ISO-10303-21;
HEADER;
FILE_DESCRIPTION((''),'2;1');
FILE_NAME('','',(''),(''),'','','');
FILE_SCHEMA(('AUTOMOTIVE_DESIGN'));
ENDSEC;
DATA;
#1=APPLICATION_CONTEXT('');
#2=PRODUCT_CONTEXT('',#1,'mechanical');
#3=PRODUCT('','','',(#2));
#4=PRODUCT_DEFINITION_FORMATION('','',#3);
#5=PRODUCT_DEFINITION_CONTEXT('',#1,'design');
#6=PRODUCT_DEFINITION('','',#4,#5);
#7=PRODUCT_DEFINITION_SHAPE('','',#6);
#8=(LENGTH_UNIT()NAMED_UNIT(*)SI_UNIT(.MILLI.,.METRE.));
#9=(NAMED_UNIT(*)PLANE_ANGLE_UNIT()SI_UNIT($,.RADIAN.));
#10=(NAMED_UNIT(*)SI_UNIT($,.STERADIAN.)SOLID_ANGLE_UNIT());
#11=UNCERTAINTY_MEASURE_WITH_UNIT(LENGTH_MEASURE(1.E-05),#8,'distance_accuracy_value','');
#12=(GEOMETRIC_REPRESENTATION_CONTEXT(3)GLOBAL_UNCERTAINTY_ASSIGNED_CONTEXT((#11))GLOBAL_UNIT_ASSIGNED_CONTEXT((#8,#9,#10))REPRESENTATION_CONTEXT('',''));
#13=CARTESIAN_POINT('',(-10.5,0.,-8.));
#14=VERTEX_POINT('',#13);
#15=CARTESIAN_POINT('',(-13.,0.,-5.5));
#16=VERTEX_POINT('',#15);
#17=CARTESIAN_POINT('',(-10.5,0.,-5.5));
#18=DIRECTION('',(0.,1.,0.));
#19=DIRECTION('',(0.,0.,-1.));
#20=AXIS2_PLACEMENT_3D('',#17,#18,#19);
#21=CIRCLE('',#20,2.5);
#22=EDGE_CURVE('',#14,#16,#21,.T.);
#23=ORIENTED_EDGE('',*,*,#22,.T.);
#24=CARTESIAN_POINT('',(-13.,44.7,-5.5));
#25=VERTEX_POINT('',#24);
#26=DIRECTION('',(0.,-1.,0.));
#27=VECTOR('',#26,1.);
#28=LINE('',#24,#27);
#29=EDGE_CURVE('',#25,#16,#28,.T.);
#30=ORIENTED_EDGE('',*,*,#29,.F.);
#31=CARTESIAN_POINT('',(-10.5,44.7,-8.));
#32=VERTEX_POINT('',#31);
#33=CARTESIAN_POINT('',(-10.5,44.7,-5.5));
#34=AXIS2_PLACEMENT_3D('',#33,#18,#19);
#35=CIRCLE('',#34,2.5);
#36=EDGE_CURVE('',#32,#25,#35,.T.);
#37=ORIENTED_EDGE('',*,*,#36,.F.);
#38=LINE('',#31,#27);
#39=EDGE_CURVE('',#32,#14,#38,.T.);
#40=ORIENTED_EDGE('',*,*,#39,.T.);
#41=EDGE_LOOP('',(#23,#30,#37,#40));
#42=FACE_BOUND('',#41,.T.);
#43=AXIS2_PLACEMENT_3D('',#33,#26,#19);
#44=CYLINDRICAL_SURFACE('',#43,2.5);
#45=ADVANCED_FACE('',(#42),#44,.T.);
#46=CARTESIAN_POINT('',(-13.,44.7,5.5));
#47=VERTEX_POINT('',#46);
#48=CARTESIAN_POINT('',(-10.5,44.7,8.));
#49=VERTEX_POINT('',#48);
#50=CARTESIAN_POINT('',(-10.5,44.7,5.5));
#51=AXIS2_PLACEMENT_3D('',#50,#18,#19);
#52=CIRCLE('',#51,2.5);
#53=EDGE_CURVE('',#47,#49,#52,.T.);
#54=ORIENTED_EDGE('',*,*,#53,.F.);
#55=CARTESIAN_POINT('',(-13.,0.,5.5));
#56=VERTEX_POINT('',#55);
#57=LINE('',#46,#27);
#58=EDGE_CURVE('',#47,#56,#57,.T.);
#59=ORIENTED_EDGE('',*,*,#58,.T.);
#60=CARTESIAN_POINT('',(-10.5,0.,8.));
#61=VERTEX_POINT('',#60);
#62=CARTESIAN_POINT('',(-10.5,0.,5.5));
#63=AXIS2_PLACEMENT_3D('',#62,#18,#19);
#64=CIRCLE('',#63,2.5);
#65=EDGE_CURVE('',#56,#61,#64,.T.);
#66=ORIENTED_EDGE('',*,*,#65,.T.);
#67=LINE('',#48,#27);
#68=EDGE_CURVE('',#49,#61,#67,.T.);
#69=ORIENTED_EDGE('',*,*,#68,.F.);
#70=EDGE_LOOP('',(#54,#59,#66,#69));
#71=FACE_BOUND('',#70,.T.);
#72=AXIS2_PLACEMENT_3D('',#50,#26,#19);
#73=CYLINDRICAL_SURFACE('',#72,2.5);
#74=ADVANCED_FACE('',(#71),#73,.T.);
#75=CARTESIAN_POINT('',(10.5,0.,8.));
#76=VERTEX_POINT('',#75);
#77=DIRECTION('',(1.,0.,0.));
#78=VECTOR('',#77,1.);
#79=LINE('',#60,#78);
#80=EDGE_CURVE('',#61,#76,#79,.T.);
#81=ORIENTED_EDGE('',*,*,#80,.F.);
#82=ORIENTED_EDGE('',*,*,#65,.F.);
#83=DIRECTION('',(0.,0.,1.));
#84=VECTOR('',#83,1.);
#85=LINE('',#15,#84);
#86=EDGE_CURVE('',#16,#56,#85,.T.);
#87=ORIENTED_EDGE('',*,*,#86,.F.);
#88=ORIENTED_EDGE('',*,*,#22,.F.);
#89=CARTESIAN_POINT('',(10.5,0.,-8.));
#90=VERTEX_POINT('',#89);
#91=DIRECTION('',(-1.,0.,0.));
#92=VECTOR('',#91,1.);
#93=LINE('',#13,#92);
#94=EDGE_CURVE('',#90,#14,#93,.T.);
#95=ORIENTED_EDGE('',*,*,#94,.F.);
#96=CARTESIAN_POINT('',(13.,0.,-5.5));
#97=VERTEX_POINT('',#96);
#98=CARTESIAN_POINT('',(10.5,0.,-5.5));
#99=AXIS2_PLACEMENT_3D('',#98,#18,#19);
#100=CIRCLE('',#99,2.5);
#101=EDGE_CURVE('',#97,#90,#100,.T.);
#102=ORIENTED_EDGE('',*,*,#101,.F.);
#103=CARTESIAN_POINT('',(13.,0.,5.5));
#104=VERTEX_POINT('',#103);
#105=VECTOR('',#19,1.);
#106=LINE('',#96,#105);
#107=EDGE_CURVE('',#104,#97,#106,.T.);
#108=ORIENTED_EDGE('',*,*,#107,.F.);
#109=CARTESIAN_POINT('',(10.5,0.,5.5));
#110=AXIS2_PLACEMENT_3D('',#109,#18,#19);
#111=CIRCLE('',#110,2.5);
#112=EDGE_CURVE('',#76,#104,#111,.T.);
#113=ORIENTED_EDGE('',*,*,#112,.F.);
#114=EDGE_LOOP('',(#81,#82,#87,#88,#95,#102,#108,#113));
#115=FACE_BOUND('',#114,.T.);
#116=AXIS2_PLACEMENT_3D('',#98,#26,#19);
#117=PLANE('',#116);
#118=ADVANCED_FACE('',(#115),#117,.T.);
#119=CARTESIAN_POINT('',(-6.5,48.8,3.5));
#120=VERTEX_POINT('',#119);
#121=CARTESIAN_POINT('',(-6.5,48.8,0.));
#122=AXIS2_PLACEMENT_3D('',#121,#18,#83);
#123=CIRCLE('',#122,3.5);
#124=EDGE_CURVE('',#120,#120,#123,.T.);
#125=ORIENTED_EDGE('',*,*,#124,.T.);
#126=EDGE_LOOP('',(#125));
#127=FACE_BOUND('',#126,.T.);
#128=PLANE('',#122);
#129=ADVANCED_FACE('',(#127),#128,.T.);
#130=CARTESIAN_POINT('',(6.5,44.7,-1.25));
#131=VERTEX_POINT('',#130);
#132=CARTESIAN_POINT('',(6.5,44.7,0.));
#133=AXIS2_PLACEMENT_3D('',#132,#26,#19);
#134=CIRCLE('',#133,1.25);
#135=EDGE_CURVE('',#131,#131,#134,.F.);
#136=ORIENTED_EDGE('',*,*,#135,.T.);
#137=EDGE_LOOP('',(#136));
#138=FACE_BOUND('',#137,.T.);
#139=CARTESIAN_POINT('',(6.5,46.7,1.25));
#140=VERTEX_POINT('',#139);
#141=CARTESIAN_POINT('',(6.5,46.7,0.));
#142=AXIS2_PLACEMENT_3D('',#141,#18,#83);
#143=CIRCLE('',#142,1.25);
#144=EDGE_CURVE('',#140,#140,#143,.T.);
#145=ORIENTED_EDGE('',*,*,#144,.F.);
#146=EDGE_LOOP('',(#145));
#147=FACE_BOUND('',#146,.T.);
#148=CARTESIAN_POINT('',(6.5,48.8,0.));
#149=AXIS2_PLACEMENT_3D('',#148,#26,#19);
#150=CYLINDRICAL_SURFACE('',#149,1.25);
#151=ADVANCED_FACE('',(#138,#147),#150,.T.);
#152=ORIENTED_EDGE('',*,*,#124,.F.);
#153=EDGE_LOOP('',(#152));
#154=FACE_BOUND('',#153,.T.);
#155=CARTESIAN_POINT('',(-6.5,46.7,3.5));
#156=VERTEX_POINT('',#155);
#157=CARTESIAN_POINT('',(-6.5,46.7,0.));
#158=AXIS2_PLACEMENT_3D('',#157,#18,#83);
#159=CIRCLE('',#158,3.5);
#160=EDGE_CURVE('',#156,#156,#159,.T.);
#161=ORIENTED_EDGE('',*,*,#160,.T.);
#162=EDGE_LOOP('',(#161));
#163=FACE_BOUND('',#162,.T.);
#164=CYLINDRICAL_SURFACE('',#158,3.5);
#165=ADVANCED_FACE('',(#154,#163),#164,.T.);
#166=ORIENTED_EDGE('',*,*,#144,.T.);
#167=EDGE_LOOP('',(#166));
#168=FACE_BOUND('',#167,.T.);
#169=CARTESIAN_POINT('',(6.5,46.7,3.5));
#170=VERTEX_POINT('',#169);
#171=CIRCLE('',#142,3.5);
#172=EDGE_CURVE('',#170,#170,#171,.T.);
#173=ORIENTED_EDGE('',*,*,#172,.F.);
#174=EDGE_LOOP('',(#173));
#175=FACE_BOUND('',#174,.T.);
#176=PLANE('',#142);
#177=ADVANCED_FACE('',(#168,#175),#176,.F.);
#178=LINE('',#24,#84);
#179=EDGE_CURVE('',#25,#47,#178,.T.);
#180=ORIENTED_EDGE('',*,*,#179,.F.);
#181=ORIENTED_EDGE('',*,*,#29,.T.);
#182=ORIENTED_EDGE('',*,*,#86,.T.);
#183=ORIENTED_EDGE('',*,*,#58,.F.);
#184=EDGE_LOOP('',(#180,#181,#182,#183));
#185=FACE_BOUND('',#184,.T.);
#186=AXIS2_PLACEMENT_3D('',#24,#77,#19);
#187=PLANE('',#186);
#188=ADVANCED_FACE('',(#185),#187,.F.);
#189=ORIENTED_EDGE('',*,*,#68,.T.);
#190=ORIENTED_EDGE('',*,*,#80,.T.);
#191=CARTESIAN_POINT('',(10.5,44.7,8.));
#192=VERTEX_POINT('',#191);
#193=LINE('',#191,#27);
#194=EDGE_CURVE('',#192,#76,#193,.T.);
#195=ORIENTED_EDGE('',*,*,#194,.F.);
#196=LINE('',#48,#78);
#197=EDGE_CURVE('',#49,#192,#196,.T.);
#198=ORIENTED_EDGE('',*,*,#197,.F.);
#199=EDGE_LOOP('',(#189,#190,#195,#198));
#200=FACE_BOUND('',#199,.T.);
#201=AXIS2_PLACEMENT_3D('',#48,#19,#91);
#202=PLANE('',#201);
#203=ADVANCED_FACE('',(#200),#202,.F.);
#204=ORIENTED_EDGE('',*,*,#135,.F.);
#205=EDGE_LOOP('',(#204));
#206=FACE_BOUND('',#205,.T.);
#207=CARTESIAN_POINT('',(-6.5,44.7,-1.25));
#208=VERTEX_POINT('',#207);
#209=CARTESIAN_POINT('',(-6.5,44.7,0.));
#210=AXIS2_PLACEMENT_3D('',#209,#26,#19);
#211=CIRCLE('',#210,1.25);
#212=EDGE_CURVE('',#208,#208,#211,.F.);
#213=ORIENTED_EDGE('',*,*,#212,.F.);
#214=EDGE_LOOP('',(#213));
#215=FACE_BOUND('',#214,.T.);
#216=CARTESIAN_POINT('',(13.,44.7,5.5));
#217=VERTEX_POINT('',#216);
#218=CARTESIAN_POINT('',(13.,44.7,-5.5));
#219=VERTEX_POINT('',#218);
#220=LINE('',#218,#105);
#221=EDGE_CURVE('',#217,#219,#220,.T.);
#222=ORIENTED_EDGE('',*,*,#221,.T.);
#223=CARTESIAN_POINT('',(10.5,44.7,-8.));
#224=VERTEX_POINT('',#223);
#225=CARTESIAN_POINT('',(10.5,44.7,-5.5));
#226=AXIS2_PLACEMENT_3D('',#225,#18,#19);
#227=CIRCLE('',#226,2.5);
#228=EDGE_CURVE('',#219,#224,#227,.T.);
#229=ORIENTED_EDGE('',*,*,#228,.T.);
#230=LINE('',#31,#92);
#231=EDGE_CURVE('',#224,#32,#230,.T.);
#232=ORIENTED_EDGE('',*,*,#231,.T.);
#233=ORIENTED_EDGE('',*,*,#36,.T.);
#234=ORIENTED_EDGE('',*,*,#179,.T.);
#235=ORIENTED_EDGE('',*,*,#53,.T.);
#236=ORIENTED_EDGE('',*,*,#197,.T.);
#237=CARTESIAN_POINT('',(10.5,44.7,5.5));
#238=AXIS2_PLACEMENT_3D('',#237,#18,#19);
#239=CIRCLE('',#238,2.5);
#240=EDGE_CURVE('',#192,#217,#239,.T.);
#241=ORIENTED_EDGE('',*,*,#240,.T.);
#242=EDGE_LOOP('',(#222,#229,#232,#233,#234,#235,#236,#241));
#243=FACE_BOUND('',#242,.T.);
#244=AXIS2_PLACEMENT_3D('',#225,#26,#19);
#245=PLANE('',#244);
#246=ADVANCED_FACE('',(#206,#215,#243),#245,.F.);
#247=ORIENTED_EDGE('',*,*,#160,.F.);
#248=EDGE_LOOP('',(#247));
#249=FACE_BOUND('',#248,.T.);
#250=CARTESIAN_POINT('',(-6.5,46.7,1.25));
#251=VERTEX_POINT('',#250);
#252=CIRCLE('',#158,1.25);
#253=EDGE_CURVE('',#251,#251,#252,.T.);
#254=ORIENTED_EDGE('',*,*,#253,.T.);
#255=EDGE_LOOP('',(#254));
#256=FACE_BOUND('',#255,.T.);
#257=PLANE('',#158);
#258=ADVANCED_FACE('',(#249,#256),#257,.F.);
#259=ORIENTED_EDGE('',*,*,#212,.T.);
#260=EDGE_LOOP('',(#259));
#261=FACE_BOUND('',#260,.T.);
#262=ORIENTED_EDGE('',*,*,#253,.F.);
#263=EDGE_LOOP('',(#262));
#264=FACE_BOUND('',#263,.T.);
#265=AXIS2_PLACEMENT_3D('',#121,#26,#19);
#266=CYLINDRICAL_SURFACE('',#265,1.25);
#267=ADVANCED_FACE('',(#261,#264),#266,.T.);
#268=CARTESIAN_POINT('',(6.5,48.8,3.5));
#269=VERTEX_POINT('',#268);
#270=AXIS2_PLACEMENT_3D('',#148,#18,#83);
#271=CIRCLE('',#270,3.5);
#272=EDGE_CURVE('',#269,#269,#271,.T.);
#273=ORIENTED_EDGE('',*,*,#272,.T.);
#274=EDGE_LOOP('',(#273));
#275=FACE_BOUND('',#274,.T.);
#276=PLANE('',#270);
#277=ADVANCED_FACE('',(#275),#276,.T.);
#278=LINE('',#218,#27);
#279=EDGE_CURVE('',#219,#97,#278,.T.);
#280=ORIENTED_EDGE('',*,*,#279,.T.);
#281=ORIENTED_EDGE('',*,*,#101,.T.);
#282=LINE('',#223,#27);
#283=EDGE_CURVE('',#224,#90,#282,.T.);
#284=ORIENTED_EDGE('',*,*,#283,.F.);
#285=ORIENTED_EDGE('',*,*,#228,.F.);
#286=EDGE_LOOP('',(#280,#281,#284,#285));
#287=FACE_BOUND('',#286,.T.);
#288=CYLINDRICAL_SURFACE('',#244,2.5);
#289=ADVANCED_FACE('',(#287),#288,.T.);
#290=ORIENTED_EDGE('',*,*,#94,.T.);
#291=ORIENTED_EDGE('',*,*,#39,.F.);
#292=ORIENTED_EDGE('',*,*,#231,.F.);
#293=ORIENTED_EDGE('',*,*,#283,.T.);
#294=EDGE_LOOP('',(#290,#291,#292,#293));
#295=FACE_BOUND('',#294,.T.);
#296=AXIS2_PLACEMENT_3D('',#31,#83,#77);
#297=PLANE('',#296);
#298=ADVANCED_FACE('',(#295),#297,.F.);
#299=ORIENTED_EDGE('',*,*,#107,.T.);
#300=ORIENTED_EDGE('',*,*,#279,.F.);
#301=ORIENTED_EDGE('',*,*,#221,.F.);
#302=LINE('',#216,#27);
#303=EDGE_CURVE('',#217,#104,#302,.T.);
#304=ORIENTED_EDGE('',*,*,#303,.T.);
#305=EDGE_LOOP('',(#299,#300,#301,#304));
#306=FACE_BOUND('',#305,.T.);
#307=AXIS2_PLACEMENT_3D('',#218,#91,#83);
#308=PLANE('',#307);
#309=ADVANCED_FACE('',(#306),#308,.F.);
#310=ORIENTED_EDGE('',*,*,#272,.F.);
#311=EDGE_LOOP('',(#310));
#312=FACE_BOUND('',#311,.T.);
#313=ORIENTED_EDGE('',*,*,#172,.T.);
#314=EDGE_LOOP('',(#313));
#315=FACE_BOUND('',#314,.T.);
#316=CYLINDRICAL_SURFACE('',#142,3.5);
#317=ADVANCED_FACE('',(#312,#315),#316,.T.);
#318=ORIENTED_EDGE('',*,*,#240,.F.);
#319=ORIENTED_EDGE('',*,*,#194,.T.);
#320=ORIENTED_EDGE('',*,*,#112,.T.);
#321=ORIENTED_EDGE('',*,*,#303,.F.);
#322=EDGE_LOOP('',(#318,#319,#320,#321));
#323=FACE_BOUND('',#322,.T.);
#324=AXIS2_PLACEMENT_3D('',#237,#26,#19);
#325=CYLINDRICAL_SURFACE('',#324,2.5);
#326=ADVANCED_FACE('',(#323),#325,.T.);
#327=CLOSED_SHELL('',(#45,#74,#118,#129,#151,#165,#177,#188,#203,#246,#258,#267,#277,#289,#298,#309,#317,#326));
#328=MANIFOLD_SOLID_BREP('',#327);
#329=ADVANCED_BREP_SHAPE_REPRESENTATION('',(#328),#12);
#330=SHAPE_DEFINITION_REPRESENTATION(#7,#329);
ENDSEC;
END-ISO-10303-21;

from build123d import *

# Parameters (mm, degrees)
BOSS_EXTRUDE1_DEPTH = 44.7
SKETCH2_R           = 1.25
BOSS_EXTRUDE2_DEPTH = 4.1
SKETCH3_R           = 3.5
BOSS_EXTRUDE3_DEPTH = 2.1


with BuildPart() as part:
    # Sketch1 → Boss-Extrude1 (new body)
    with BuildSketch(Plane(origin=(0, 0, 0), x_dir=(1, 0, 0), z_dir=(0, 1, 0))):
        with BuildLine():
            Line((-10.5, 8), (10.5, 8))
            ThreePointArc((10.5, 8), (12.267766953, 7.267766953), (13, 5.5))
            Line((13, 5.5), (13, -5.5))
            ThreePointArc((13, -5.5), (12.267766953, -7.267766953), (10.5, -8))
            Line((10.5, -8), (-10.5, -8))
            ThreePointArc((-10.5, -8), (-12.267766953, -7.267766953), (-13, -5.5))
            Line((-13, -5.5), (-13, 5.5))
            ThreePointArc((-13, 5.5), (-12.267766953, 7.267766953), (-10.5, 8))
        make_face()
    extrude(amount=BOSS_EXTRUDE1_DEPTH)

    # Sketch2 → Boss-Extrude2 (add)
    with BuildSketch(Plane(origin=(0, 44.7, 0), x_dir=(1, 0, 0), z_dir=(0, 1, 0))):
        with Locations((-6.5, 0)):
            Circle(SKETCH2_R)
        with Locations((6.5, 0)):
            Circle(SKETCH2_R)
    extrude(amount=BOSS_EXTRUDE2_DEPTH)

    # Sketch3 → Boss-Extrude3 (add)
    with BuildSketch(Plane(origin=(0, 48.8, 0), x_dir=(1, 0, 0), z_dir=(0, 1, 0))):
        with Locations((-6.5, 0)):
            Circle(SKETCH3_R)
        with Locations((6.5, 0)):
            Circle(SKETCH3_R)
    extrude(amount=-BOSS_EXTRUDE3_DEPTH)


solid = part.part
